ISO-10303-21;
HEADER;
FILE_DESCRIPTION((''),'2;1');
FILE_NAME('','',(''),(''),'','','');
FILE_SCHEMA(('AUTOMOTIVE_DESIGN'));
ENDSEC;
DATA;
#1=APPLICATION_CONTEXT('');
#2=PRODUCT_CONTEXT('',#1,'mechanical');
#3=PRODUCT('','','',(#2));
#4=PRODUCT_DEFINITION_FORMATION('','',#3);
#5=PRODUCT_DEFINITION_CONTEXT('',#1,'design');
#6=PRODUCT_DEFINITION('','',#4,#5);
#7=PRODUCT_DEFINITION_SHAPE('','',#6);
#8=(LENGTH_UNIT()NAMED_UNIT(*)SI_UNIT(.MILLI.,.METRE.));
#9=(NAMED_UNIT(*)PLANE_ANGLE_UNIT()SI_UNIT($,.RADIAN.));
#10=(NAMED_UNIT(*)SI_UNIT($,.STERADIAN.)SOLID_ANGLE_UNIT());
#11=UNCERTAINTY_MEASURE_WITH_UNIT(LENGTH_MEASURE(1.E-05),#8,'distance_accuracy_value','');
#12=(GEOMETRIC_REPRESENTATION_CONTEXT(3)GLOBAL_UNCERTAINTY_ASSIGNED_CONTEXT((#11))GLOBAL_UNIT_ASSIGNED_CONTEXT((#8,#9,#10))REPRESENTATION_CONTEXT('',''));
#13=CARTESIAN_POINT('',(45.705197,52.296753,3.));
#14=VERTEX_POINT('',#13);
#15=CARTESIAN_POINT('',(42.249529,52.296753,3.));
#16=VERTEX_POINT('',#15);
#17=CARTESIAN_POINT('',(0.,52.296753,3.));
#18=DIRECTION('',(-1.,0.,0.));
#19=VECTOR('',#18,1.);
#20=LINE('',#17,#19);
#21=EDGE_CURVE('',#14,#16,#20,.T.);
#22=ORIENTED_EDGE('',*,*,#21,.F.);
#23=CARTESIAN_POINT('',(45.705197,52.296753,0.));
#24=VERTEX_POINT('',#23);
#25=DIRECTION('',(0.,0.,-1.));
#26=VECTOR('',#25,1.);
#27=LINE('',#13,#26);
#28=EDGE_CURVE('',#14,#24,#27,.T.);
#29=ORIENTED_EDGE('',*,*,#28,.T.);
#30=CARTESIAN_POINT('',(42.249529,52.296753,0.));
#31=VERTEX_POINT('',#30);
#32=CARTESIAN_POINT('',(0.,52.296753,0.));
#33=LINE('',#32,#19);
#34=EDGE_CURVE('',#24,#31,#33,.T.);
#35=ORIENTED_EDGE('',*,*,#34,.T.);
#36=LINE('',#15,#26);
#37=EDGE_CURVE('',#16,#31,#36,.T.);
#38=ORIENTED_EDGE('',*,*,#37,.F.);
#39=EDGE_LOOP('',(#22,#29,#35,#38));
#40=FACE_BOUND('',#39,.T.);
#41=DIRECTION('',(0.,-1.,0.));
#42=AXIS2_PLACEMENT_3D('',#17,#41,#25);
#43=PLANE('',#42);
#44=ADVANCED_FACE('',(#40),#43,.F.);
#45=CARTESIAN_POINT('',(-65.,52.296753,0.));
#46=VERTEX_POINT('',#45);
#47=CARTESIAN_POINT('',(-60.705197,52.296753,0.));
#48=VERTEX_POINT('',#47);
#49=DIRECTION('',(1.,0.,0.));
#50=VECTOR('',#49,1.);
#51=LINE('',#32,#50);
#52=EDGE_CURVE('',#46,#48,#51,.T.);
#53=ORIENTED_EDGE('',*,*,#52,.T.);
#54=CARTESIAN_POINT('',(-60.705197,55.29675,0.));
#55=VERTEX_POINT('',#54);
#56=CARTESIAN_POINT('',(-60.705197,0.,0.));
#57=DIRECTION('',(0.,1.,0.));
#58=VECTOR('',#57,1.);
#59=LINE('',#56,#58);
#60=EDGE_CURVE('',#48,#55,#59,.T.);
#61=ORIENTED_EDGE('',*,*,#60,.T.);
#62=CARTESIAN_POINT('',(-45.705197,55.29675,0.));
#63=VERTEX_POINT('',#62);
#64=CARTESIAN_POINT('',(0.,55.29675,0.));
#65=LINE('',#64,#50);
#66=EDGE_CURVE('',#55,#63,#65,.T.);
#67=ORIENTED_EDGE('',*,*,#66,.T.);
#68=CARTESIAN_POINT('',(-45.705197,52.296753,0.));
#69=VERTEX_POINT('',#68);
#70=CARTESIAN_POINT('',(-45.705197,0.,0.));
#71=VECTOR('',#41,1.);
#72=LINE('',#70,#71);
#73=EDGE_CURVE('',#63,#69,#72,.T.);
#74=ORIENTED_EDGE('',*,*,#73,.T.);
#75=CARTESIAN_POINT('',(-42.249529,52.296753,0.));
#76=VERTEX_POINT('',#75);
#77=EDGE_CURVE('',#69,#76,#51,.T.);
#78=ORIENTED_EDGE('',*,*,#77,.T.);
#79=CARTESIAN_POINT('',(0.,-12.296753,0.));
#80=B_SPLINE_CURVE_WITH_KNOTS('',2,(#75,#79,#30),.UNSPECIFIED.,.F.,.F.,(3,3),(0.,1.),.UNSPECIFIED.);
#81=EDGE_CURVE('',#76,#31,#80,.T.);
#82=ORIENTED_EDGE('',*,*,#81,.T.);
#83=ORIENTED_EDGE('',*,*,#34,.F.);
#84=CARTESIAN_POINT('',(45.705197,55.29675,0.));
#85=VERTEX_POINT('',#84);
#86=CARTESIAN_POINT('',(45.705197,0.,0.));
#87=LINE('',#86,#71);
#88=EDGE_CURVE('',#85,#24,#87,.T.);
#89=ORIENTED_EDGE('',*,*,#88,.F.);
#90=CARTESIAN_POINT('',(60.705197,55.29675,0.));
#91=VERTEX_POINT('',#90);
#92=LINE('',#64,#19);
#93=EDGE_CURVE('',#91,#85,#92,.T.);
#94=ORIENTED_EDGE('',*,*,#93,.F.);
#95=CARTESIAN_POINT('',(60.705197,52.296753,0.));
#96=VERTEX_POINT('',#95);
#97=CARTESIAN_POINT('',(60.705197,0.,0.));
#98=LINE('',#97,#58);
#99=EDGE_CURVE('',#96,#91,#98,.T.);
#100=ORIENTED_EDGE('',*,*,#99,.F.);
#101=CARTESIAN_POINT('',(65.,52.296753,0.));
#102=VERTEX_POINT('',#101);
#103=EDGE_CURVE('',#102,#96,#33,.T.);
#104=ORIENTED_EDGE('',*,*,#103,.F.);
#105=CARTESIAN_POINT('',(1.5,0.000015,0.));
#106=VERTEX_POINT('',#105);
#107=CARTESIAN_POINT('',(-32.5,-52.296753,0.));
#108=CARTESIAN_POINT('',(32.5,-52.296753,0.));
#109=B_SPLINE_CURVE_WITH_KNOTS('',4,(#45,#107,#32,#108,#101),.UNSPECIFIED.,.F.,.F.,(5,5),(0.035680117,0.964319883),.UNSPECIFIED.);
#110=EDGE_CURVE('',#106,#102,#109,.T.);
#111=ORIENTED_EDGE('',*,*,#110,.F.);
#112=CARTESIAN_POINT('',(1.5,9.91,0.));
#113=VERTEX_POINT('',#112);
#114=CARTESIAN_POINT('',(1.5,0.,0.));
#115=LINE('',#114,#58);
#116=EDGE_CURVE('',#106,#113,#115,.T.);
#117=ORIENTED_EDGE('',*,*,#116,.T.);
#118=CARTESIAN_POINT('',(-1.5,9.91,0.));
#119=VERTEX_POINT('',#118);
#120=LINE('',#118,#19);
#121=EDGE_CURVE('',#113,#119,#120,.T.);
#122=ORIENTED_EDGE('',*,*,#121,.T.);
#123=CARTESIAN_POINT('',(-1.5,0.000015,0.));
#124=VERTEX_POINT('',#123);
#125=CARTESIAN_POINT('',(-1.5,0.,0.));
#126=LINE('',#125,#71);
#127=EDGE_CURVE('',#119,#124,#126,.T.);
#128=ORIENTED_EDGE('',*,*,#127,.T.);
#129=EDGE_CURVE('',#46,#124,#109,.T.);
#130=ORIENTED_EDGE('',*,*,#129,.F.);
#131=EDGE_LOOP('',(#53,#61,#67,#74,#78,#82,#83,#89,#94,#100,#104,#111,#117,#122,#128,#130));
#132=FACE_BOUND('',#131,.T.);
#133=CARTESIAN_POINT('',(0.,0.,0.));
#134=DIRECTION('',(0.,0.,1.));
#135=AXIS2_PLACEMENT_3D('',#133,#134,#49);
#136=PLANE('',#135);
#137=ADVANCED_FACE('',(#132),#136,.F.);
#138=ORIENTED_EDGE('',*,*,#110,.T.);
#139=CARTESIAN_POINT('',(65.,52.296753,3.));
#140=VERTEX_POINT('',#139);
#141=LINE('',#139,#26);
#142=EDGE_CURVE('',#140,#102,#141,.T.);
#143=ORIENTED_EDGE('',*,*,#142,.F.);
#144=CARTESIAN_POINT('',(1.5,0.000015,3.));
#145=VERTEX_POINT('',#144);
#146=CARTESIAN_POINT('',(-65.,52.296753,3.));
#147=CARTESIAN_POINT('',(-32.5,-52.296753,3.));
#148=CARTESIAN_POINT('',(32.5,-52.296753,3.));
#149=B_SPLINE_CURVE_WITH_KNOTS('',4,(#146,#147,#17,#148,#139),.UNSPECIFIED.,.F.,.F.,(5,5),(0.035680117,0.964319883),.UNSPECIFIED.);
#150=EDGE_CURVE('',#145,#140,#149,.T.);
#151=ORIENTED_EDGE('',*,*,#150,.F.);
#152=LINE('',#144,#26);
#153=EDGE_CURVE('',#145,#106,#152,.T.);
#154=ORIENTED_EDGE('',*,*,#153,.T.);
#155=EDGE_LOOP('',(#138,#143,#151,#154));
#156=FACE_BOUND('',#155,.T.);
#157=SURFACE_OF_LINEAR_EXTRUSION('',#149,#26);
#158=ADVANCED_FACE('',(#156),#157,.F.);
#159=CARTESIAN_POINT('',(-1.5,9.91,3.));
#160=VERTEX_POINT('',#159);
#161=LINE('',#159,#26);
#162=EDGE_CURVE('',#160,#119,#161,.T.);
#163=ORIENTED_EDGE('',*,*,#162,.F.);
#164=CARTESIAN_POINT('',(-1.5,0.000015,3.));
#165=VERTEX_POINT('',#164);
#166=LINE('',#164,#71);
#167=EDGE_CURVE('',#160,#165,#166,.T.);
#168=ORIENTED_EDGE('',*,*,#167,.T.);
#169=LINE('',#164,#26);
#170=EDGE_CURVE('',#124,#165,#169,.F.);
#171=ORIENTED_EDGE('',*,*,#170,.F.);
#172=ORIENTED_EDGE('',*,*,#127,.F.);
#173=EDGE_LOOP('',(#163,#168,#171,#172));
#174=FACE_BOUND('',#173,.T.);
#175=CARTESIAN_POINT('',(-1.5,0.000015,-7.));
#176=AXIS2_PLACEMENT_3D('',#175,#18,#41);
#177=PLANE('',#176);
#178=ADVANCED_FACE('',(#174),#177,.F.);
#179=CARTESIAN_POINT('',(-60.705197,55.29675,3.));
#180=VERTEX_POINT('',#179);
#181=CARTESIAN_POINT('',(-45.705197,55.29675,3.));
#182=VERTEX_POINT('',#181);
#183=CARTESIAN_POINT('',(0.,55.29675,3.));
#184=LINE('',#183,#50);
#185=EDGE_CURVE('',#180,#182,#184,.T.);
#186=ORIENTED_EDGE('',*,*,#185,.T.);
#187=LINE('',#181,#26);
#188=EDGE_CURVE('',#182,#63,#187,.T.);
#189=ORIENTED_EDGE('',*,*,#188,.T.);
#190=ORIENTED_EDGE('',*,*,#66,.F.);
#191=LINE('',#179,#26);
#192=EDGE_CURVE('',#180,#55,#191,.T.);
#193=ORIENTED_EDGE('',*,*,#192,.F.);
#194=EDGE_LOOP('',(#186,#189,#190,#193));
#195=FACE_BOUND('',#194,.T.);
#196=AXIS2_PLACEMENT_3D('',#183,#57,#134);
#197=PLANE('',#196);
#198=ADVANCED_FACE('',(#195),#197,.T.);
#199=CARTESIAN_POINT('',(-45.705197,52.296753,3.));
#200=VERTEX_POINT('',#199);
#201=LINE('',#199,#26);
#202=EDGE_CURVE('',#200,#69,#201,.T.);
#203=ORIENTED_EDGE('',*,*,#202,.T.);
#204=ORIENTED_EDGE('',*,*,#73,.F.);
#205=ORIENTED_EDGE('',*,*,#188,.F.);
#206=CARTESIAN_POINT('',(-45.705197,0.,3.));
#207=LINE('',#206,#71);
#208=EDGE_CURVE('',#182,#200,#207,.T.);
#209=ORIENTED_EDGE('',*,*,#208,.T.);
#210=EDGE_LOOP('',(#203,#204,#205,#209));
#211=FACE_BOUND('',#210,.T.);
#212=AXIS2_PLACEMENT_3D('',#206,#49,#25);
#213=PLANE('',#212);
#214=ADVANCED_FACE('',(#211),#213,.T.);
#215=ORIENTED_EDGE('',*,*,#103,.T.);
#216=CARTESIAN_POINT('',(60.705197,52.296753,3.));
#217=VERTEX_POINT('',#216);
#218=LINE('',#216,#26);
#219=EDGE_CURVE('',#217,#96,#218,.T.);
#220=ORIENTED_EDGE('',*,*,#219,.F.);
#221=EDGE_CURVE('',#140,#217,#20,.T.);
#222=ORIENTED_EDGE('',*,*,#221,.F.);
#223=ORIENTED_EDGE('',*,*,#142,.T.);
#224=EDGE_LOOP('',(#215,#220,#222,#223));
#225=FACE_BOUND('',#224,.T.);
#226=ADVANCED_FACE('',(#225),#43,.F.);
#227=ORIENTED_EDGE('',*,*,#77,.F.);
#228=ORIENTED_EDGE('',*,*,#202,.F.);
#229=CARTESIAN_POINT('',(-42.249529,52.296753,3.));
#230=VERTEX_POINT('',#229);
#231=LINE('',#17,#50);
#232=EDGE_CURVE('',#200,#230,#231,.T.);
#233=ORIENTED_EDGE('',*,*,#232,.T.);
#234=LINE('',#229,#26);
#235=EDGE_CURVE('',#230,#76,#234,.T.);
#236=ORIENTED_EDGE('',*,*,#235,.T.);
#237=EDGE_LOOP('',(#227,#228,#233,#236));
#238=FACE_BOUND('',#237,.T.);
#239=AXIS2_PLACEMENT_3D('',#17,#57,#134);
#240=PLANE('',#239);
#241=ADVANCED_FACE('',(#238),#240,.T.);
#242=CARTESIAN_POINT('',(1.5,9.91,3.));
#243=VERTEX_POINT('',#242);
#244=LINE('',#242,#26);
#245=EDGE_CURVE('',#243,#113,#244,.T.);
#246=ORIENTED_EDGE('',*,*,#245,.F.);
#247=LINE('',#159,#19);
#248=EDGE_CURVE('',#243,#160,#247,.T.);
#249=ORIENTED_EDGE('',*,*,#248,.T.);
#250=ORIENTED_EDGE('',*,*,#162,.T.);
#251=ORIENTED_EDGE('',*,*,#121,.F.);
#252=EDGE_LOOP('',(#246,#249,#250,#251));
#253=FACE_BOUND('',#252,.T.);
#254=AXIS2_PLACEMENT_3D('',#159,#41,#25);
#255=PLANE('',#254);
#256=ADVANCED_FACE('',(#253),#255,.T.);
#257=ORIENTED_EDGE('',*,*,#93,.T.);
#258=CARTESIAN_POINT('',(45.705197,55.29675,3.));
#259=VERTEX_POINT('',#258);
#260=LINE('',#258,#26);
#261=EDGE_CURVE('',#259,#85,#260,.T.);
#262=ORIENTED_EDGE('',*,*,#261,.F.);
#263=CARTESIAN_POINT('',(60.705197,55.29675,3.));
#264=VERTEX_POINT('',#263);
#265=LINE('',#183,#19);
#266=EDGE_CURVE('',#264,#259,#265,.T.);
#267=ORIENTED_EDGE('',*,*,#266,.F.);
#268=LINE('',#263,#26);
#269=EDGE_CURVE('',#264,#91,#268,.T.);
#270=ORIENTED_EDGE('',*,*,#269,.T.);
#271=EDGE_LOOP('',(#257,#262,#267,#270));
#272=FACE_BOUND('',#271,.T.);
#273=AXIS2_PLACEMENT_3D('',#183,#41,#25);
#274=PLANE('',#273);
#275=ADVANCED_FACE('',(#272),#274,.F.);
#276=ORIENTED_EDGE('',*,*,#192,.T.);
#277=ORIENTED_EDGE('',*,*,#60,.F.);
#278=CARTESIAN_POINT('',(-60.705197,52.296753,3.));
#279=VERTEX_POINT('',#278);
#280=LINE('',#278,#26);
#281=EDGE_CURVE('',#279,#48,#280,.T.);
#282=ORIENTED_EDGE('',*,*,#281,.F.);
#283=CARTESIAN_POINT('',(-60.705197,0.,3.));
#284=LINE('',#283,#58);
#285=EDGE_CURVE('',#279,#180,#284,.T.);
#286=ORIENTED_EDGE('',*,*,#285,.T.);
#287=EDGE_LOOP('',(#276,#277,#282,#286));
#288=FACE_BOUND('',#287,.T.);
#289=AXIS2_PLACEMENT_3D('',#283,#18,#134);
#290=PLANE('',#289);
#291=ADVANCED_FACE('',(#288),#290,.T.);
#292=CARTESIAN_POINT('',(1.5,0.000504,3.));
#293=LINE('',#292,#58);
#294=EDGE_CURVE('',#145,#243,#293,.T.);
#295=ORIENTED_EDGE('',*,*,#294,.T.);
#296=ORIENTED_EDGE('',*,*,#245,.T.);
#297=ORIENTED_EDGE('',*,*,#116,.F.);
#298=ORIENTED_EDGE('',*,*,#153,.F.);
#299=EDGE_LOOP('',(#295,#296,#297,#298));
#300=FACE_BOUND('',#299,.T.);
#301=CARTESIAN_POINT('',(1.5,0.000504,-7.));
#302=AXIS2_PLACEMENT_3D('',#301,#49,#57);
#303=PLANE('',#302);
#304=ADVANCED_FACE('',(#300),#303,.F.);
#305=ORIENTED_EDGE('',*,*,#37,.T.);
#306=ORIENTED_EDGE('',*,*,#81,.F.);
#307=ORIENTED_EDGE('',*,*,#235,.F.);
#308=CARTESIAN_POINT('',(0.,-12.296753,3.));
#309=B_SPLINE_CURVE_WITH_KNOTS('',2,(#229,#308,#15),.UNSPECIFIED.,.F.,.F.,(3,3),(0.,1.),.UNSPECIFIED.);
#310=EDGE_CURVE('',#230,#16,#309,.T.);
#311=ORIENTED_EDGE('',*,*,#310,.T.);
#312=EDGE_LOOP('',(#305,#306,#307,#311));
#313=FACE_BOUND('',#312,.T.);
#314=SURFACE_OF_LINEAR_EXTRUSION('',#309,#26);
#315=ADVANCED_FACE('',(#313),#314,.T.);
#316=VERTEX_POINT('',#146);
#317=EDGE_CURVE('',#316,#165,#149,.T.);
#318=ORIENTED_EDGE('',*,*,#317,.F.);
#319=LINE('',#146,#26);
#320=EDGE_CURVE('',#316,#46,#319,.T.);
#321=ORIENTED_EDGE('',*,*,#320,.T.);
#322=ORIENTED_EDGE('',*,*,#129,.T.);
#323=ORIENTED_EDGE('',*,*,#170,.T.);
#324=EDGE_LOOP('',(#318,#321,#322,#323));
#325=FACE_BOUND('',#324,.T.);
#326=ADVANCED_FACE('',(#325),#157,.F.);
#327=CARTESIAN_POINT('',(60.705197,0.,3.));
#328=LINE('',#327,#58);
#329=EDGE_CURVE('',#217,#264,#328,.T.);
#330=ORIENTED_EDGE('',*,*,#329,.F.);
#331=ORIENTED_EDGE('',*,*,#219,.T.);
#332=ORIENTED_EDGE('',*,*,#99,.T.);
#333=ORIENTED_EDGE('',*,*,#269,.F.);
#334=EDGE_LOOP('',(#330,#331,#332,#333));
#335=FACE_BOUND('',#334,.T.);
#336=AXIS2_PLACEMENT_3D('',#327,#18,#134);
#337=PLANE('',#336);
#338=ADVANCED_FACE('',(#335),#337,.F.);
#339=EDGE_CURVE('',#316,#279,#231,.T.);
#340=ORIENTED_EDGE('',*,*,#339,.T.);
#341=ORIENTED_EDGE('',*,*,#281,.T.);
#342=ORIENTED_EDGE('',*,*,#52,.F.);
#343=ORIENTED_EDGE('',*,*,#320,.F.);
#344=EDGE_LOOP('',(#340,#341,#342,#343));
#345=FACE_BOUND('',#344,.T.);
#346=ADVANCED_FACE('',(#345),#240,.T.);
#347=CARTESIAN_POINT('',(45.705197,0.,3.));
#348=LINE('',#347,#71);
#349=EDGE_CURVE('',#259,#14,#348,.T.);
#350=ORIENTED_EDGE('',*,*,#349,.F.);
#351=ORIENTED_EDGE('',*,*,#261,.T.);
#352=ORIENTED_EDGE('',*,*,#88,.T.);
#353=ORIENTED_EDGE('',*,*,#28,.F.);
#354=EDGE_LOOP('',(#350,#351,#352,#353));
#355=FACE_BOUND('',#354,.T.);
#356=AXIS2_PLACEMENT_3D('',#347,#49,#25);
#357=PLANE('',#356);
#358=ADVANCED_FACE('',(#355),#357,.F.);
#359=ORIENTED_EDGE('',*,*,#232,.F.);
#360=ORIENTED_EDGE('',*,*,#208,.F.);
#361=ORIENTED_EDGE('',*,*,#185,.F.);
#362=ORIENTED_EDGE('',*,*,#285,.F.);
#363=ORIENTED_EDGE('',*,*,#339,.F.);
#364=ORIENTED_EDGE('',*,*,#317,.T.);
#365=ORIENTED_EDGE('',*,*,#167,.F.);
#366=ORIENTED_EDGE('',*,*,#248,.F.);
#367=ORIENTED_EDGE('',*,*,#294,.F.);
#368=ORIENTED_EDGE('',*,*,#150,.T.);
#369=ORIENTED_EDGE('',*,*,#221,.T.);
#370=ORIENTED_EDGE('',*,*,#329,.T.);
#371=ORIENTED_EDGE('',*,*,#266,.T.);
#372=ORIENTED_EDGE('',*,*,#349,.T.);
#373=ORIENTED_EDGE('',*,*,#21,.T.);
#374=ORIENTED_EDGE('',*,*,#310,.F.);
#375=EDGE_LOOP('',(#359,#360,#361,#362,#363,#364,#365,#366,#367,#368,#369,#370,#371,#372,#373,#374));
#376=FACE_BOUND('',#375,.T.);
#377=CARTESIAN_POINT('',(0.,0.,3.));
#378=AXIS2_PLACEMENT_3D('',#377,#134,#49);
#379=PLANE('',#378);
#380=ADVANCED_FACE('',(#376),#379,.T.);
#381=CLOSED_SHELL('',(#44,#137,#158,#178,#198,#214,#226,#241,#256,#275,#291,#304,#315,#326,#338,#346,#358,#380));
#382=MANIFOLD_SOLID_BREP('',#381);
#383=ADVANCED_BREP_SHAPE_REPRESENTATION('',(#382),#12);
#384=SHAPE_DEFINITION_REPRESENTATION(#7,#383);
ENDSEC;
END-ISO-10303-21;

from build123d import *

# Parameters (mm, degrees)
EXTRUDE_1_DEPTH     = 3
CUT_EXTRUDE_4_DEPTH = 10
SKETCH_6_W          = 3
SKETCH_6_H          = 0.29
EXTRUDE_4_DEPTH     = 3


with BuildPart() as part:
    # 草图1 → 凸台-拉伸1 (new body)
    with BuildSketch(Plane.XY):
        with BuildLine():
            Line((-64.999999986, 52.296752884), (-60.705196958, 52.296752884))
            Line((-60.705196958, 52.296752884), (-60.705196958, 55.296750271))
            Line((-60.705196958, 55.296750271), (-45.705196958, 55.296750271))
            Line((-45.705196958, 55.296750271), (-45.705196958, 52.296752929))
            Line((-45.705196958, 52.296752929), (-42.249528739, 52.296752929))
            add(Edge.make_bspline(
                [(-42.249528739, 52.296752929), (0, -12.296752929), (42.249528739, 52.296752929)],
                knots=[0, 0, 0, 1, 1, 1], degree=2))
            Line((42.249528739, 52.296752929), (45.705196958, 52.296752929))
            Line((45.705196958, 52.296752929), (45.705196958, 55.296750271))
            Line((45.705196958, 55.296750271), (60.705196958, 55.296750271))
            Line((60.705196958, 55.296750271), (60.705196958, 52.296752884))
            Line((60.705196958, 52.296752884), (64.999999986, 52.296752884))
            add(Edge.make_bspline(
                [(-64.999999986, 52.296752884), (-32.499999991, -52.296752885), (0, 52.296752883), (32.499999995, -52.296752882), (64.999999986, 52.296752884)],
                knots=[0.035680117, 0.035680117, 0.035680117, 0.035680117, 0.035680117, 0.964319883, 0.964319883, 0.964319883, 0.964319883, 0.964319883], degree=4))
        make_face()
    extrude(amount=EXTRUDE_1_DEPTH)

    # 草图4 → 切除-拉伸4 (cut)
    with BuildSketch(Plane.XY.offset(3)):
        Polygon((-1.5, 1.4832e-05), (-1.5, -2.686062371), (1.5, -2.686062371), (1.5, 0.000504044), (1.5, 10.2), (-1.5, 10.2), align=None)
    extrude(amount=-CUT_EXTRUDE_4_DEPTH, mode=Mode.SUBTRACT)

    # 草图6 → 凸台-拉伸4 (add)
    with BuildSketch(Plane(origin=(0, 0, 0), x_dir=(-1, 0, 0), z_dir=(0, 0, -1))):
        with Locations((0, 10.055)):
            Rectangle(SKETCH_6_W, SKETCH_6_H)
    extrude(amount=-EXTRUDE_4_DEPTH)


solid = part.part
